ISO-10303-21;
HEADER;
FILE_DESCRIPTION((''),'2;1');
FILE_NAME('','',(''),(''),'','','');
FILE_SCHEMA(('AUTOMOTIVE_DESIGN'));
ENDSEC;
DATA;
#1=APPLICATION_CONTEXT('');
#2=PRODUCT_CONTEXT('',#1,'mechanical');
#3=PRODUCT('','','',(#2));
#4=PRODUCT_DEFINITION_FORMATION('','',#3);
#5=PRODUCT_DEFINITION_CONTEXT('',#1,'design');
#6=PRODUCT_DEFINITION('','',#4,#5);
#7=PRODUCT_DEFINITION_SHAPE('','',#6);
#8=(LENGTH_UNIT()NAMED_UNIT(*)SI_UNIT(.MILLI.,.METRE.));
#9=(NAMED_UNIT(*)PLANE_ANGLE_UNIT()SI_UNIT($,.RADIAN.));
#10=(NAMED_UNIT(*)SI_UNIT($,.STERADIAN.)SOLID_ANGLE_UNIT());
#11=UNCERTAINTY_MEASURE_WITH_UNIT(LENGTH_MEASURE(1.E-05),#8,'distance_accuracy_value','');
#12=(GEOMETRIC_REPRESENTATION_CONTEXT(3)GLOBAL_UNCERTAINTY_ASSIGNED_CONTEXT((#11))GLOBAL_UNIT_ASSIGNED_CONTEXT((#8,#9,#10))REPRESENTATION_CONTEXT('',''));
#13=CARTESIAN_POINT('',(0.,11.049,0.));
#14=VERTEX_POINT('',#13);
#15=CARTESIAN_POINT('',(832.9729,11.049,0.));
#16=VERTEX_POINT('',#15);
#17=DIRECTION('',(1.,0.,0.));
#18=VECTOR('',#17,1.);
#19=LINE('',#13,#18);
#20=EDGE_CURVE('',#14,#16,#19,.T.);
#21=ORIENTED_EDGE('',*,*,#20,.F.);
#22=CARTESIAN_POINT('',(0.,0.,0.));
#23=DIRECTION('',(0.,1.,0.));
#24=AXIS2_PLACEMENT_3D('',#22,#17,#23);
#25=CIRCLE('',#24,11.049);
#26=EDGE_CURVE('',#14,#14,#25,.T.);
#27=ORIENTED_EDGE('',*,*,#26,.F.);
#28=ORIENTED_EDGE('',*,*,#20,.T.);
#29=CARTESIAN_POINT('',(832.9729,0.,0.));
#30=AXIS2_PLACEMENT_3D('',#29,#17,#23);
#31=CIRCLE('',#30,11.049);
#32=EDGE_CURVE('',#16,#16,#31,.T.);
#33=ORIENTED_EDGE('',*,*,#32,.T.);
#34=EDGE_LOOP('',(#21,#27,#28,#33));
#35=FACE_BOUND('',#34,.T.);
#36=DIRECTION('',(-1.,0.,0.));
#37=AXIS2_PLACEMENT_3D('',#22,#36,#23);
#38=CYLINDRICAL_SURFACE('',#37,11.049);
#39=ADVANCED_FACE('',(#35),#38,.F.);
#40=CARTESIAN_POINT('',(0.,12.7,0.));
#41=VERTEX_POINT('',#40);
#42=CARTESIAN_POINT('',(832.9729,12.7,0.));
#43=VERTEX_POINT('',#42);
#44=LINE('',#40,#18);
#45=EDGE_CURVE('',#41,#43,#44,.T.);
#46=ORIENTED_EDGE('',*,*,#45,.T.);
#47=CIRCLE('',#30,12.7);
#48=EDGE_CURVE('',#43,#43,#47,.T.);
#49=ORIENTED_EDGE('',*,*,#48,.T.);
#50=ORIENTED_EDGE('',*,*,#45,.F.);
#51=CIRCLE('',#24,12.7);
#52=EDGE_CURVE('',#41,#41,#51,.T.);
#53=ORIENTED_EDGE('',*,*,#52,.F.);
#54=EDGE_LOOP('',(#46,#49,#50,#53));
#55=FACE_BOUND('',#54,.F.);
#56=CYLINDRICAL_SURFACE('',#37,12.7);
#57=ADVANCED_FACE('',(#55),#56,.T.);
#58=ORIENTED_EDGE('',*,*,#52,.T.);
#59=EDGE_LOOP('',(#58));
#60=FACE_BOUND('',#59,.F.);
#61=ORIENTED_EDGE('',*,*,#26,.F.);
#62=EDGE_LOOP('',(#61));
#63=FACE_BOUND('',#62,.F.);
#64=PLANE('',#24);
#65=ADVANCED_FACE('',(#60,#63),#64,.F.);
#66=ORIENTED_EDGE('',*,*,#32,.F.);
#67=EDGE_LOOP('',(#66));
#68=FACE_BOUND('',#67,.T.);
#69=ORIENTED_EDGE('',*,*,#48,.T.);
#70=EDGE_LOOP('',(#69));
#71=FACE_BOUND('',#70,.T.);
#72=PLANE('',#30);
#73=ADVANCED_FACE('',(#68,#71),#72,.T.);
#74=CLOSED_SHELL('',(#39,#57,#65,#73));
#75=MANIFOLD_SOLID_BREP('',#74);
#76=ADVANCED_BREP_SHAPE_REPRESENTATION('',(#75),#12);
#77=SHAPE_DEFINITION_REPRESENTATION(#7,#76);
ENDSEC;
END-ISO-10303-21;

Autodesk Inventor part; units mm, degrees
ref_plane "XZ Plane" through (0, 0, 0) normal (0, 1, 0) x (-1, 0, 0)
ref_plane "Start Plane" through (0, 0, 0) normal (1, 0, 0) x (0, 1, 0)
ref_plane "End Plane" through (832.9729, 0, 0) normal (1, 0, 0) x (0, 1, 0)
sketch "Sketch" plane through (0, 0, 0) normal (1, 0, 0) x (0, 1, 0)
  circle A0 centre (0, 0) radius 12.7
  circle A1 centre (0, 0) radius 11.049
  dimension "d0" = 25.4
  dimension "d1" = 1.651
extrude "Body" add sketch "Sketch" along normal up to surface (832.9729 mm away) from surface at 0
sketch "Sketch2" plane through (0, 0, 0) normal (1, 0, 0) x (0, 1, 0)
  line L0 (0, 0) -> (10, 0)
ref_plane "Work Plane3" through (0, 0, 0) normal (0, 0, -1) x (0, 1, 0)
sketch "Sketch3" plane through (0, 0, 0) normal (0, 0, -1) x (0, 1, 0)
  line L0 (-2, 0) -> (12, 0)
  line L1 (-2, 832.9729) -> (12, 832.9729)
  dimension "d9" = 832.9728
equation "\"G_OFFSET_START\" = 0"
equation "\"G_OFFSET_END\" = 0"
equation "\"d5\" = d2 + G_OFFSET_END"
equation "\"G_L\" = d9"
equation "\"d2\" = 832.972853"
properties part number "4130_1x0.065" material "Steel, Alloy"
